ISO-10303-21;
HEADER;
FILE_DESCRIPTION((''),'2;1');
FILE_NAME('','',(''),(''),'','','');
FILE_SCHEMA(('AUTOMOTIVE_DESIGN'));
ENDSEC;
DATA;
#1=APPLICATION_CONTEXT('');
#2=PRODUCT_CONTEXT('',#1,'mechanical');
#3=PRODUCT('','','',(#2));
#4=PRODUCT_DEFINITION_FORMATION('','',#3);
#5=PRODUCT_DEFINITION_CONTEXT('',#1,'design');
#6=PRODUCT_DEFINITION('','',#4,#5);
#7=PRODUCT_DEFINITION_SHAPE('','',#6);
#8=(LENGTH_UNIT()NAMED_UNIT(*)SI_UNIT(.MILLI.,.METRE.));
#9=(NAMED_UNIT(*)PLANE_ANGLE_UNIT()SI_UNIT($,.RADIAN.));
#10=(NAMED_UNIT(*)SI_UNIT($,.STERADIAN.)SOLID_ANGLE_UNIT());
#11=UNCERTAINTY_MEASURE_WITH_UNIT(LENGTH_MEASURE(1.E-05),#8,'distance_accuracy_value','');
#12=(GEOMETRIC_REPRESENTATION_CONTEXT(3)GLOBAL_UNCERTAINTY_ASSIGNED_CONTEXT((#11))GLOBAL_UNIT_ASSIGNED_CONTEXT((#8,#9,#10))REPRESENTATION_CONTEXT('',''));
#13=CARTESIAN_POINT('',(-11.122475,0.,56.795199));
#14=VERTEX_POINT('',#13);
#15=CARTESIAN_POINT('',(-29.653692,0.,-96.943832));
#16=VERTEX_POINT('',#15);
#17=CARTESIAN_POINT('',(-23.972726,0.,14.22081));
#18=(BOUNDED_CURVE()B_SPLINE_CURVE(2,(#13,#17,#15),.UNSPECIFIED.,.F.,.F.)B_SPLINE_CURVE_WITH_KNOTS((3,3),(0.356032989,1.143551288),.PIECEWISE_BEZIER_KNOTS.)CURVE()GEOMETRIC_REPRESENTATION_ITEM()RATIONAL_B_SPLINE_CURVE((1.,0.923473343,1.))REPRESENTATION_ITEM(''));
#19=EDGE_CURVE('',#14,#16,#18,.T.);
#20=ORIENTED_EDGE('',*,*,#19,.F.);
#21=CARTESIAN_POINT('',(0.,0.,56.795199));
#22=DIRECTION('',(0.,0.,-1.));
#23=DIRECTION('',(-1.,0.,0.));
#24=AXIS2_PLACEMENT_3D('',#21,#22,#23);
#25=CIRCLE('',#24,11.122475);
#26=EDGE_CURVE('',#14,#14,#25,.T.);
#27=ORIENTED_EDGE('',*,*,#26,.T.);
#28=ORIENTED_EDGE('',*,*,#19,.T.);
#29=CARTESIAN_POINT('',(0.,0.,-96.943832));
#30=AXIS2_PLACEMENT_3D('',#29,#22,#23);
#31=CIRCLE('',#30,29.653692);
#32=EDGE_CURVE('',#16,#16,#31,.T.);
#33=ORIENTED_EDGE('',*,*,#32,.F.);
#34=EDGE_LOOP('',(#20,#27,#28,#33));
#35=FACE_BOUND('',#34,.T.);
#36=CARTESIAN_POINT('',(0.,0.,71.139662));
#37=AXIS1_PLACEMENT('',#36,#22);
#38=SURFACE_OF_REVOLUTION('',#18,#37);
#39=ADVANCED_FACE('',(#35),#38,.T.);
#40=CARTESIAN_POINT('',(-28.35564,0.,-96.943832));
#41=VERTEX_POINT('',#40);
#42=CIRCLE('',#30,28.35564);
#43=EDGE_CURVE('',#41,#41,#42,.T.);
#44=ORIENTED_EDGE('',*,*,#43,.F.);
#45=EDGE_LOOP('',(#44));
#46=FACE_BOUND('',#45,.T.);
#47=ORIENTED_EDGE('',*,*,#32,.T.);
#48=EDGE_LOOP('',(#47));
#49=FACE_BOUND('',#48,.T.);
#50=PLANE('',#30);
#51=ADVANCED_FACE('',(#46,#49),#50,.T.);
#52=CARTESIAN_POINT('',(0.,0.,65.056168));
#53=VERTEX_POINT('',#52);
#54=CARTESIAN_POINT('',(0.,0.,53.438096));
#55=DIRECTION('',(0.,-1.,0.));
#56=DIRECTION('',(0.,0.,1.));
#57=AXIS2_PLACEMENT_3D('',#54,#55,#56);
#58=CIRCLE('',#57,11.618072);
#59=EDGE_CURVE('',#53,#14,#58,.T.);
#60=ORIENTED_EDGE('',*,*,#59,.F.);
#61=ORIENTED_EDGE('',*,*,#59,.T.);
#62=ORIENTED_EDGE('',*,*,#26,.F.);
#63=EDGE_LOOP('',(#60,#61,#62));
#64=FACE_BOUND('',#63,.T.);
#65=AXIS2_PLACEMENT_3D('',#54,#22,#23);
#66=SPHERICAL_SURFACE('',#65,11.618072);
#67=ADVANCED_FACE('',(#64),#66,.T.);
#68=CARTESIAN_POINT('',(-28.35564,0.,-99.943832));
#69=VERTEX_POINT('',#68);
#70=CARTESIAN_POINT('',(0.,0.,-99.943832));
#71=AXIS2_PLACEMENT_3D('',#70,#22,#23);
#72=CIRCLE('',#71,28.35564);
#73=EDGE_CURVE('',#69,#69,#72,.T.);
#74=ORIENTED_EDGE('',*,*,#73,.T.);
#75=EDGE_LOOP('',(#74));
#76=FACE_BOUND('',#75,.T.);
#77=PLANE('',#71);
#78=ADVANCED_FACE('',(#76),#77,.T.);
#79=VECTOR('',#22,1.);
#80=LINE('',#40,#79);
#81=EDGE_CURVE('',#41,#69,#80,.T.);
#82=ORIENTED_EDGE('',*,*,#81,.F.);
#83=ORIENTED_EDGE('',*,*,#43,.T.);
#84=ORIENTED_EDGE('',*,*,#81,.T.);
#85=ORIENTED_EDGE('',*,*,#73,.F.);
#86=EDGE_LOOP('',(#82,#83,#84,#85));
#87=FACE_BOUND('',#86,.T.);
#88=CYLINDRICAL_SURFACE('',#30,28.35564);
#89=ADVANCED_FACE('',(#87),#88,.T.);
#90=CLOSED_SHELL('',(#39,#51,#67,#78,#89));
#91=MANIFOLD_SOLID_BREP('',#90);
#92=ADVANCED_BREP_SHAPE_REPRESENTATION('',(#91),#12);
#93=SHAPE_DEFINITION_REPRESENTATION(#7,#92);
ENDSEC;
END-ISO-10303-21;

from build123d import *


with BuildPart() as f1:
    # F0 (on Front) → F1 (revolve)
    with BuildSketch(Plane.XZ):
        with BuildLine():
            Line((-29.6536915112, 123.056168069), (-28.35564, 123.056168069))
            Line((-28.35564, 123.056168069), (-28.35564, 120.056168069))
            Line((-28.35564, 120.056168069), (0, 120.056168069))
            Line((0, 120.056168069), (0, 123.056168069))
            Line((0, 123.056168069), (0, 285.056168069))
            ThreePointArc((0, 285.056168069), (-6.9273565207, 282.7650102819), (-11.1224754025, 276.7951987322))
            add(Edge.make_bspline(
                [(-11.1224754025, 276.7951987322), (-23.9727259194, 234.2208098407), (-29.6536915112, 123.056168069)],
                knots=[0.3560329891, 0.3560329891, 0.3560329891, 1.1435512877, 1.1435512877, 1.1435512877], degree=2, weights=[1, 0.9234733432, 1]))
        make_face()
    revolve(axis=Axis((0, 0, 291.139662385), (0, 0, -1)))


with BuildPart() as f1_1:
    # F2: moved
    add(f1.part.moved(Location((0, 0, -220))))


solid = f1_1.part
